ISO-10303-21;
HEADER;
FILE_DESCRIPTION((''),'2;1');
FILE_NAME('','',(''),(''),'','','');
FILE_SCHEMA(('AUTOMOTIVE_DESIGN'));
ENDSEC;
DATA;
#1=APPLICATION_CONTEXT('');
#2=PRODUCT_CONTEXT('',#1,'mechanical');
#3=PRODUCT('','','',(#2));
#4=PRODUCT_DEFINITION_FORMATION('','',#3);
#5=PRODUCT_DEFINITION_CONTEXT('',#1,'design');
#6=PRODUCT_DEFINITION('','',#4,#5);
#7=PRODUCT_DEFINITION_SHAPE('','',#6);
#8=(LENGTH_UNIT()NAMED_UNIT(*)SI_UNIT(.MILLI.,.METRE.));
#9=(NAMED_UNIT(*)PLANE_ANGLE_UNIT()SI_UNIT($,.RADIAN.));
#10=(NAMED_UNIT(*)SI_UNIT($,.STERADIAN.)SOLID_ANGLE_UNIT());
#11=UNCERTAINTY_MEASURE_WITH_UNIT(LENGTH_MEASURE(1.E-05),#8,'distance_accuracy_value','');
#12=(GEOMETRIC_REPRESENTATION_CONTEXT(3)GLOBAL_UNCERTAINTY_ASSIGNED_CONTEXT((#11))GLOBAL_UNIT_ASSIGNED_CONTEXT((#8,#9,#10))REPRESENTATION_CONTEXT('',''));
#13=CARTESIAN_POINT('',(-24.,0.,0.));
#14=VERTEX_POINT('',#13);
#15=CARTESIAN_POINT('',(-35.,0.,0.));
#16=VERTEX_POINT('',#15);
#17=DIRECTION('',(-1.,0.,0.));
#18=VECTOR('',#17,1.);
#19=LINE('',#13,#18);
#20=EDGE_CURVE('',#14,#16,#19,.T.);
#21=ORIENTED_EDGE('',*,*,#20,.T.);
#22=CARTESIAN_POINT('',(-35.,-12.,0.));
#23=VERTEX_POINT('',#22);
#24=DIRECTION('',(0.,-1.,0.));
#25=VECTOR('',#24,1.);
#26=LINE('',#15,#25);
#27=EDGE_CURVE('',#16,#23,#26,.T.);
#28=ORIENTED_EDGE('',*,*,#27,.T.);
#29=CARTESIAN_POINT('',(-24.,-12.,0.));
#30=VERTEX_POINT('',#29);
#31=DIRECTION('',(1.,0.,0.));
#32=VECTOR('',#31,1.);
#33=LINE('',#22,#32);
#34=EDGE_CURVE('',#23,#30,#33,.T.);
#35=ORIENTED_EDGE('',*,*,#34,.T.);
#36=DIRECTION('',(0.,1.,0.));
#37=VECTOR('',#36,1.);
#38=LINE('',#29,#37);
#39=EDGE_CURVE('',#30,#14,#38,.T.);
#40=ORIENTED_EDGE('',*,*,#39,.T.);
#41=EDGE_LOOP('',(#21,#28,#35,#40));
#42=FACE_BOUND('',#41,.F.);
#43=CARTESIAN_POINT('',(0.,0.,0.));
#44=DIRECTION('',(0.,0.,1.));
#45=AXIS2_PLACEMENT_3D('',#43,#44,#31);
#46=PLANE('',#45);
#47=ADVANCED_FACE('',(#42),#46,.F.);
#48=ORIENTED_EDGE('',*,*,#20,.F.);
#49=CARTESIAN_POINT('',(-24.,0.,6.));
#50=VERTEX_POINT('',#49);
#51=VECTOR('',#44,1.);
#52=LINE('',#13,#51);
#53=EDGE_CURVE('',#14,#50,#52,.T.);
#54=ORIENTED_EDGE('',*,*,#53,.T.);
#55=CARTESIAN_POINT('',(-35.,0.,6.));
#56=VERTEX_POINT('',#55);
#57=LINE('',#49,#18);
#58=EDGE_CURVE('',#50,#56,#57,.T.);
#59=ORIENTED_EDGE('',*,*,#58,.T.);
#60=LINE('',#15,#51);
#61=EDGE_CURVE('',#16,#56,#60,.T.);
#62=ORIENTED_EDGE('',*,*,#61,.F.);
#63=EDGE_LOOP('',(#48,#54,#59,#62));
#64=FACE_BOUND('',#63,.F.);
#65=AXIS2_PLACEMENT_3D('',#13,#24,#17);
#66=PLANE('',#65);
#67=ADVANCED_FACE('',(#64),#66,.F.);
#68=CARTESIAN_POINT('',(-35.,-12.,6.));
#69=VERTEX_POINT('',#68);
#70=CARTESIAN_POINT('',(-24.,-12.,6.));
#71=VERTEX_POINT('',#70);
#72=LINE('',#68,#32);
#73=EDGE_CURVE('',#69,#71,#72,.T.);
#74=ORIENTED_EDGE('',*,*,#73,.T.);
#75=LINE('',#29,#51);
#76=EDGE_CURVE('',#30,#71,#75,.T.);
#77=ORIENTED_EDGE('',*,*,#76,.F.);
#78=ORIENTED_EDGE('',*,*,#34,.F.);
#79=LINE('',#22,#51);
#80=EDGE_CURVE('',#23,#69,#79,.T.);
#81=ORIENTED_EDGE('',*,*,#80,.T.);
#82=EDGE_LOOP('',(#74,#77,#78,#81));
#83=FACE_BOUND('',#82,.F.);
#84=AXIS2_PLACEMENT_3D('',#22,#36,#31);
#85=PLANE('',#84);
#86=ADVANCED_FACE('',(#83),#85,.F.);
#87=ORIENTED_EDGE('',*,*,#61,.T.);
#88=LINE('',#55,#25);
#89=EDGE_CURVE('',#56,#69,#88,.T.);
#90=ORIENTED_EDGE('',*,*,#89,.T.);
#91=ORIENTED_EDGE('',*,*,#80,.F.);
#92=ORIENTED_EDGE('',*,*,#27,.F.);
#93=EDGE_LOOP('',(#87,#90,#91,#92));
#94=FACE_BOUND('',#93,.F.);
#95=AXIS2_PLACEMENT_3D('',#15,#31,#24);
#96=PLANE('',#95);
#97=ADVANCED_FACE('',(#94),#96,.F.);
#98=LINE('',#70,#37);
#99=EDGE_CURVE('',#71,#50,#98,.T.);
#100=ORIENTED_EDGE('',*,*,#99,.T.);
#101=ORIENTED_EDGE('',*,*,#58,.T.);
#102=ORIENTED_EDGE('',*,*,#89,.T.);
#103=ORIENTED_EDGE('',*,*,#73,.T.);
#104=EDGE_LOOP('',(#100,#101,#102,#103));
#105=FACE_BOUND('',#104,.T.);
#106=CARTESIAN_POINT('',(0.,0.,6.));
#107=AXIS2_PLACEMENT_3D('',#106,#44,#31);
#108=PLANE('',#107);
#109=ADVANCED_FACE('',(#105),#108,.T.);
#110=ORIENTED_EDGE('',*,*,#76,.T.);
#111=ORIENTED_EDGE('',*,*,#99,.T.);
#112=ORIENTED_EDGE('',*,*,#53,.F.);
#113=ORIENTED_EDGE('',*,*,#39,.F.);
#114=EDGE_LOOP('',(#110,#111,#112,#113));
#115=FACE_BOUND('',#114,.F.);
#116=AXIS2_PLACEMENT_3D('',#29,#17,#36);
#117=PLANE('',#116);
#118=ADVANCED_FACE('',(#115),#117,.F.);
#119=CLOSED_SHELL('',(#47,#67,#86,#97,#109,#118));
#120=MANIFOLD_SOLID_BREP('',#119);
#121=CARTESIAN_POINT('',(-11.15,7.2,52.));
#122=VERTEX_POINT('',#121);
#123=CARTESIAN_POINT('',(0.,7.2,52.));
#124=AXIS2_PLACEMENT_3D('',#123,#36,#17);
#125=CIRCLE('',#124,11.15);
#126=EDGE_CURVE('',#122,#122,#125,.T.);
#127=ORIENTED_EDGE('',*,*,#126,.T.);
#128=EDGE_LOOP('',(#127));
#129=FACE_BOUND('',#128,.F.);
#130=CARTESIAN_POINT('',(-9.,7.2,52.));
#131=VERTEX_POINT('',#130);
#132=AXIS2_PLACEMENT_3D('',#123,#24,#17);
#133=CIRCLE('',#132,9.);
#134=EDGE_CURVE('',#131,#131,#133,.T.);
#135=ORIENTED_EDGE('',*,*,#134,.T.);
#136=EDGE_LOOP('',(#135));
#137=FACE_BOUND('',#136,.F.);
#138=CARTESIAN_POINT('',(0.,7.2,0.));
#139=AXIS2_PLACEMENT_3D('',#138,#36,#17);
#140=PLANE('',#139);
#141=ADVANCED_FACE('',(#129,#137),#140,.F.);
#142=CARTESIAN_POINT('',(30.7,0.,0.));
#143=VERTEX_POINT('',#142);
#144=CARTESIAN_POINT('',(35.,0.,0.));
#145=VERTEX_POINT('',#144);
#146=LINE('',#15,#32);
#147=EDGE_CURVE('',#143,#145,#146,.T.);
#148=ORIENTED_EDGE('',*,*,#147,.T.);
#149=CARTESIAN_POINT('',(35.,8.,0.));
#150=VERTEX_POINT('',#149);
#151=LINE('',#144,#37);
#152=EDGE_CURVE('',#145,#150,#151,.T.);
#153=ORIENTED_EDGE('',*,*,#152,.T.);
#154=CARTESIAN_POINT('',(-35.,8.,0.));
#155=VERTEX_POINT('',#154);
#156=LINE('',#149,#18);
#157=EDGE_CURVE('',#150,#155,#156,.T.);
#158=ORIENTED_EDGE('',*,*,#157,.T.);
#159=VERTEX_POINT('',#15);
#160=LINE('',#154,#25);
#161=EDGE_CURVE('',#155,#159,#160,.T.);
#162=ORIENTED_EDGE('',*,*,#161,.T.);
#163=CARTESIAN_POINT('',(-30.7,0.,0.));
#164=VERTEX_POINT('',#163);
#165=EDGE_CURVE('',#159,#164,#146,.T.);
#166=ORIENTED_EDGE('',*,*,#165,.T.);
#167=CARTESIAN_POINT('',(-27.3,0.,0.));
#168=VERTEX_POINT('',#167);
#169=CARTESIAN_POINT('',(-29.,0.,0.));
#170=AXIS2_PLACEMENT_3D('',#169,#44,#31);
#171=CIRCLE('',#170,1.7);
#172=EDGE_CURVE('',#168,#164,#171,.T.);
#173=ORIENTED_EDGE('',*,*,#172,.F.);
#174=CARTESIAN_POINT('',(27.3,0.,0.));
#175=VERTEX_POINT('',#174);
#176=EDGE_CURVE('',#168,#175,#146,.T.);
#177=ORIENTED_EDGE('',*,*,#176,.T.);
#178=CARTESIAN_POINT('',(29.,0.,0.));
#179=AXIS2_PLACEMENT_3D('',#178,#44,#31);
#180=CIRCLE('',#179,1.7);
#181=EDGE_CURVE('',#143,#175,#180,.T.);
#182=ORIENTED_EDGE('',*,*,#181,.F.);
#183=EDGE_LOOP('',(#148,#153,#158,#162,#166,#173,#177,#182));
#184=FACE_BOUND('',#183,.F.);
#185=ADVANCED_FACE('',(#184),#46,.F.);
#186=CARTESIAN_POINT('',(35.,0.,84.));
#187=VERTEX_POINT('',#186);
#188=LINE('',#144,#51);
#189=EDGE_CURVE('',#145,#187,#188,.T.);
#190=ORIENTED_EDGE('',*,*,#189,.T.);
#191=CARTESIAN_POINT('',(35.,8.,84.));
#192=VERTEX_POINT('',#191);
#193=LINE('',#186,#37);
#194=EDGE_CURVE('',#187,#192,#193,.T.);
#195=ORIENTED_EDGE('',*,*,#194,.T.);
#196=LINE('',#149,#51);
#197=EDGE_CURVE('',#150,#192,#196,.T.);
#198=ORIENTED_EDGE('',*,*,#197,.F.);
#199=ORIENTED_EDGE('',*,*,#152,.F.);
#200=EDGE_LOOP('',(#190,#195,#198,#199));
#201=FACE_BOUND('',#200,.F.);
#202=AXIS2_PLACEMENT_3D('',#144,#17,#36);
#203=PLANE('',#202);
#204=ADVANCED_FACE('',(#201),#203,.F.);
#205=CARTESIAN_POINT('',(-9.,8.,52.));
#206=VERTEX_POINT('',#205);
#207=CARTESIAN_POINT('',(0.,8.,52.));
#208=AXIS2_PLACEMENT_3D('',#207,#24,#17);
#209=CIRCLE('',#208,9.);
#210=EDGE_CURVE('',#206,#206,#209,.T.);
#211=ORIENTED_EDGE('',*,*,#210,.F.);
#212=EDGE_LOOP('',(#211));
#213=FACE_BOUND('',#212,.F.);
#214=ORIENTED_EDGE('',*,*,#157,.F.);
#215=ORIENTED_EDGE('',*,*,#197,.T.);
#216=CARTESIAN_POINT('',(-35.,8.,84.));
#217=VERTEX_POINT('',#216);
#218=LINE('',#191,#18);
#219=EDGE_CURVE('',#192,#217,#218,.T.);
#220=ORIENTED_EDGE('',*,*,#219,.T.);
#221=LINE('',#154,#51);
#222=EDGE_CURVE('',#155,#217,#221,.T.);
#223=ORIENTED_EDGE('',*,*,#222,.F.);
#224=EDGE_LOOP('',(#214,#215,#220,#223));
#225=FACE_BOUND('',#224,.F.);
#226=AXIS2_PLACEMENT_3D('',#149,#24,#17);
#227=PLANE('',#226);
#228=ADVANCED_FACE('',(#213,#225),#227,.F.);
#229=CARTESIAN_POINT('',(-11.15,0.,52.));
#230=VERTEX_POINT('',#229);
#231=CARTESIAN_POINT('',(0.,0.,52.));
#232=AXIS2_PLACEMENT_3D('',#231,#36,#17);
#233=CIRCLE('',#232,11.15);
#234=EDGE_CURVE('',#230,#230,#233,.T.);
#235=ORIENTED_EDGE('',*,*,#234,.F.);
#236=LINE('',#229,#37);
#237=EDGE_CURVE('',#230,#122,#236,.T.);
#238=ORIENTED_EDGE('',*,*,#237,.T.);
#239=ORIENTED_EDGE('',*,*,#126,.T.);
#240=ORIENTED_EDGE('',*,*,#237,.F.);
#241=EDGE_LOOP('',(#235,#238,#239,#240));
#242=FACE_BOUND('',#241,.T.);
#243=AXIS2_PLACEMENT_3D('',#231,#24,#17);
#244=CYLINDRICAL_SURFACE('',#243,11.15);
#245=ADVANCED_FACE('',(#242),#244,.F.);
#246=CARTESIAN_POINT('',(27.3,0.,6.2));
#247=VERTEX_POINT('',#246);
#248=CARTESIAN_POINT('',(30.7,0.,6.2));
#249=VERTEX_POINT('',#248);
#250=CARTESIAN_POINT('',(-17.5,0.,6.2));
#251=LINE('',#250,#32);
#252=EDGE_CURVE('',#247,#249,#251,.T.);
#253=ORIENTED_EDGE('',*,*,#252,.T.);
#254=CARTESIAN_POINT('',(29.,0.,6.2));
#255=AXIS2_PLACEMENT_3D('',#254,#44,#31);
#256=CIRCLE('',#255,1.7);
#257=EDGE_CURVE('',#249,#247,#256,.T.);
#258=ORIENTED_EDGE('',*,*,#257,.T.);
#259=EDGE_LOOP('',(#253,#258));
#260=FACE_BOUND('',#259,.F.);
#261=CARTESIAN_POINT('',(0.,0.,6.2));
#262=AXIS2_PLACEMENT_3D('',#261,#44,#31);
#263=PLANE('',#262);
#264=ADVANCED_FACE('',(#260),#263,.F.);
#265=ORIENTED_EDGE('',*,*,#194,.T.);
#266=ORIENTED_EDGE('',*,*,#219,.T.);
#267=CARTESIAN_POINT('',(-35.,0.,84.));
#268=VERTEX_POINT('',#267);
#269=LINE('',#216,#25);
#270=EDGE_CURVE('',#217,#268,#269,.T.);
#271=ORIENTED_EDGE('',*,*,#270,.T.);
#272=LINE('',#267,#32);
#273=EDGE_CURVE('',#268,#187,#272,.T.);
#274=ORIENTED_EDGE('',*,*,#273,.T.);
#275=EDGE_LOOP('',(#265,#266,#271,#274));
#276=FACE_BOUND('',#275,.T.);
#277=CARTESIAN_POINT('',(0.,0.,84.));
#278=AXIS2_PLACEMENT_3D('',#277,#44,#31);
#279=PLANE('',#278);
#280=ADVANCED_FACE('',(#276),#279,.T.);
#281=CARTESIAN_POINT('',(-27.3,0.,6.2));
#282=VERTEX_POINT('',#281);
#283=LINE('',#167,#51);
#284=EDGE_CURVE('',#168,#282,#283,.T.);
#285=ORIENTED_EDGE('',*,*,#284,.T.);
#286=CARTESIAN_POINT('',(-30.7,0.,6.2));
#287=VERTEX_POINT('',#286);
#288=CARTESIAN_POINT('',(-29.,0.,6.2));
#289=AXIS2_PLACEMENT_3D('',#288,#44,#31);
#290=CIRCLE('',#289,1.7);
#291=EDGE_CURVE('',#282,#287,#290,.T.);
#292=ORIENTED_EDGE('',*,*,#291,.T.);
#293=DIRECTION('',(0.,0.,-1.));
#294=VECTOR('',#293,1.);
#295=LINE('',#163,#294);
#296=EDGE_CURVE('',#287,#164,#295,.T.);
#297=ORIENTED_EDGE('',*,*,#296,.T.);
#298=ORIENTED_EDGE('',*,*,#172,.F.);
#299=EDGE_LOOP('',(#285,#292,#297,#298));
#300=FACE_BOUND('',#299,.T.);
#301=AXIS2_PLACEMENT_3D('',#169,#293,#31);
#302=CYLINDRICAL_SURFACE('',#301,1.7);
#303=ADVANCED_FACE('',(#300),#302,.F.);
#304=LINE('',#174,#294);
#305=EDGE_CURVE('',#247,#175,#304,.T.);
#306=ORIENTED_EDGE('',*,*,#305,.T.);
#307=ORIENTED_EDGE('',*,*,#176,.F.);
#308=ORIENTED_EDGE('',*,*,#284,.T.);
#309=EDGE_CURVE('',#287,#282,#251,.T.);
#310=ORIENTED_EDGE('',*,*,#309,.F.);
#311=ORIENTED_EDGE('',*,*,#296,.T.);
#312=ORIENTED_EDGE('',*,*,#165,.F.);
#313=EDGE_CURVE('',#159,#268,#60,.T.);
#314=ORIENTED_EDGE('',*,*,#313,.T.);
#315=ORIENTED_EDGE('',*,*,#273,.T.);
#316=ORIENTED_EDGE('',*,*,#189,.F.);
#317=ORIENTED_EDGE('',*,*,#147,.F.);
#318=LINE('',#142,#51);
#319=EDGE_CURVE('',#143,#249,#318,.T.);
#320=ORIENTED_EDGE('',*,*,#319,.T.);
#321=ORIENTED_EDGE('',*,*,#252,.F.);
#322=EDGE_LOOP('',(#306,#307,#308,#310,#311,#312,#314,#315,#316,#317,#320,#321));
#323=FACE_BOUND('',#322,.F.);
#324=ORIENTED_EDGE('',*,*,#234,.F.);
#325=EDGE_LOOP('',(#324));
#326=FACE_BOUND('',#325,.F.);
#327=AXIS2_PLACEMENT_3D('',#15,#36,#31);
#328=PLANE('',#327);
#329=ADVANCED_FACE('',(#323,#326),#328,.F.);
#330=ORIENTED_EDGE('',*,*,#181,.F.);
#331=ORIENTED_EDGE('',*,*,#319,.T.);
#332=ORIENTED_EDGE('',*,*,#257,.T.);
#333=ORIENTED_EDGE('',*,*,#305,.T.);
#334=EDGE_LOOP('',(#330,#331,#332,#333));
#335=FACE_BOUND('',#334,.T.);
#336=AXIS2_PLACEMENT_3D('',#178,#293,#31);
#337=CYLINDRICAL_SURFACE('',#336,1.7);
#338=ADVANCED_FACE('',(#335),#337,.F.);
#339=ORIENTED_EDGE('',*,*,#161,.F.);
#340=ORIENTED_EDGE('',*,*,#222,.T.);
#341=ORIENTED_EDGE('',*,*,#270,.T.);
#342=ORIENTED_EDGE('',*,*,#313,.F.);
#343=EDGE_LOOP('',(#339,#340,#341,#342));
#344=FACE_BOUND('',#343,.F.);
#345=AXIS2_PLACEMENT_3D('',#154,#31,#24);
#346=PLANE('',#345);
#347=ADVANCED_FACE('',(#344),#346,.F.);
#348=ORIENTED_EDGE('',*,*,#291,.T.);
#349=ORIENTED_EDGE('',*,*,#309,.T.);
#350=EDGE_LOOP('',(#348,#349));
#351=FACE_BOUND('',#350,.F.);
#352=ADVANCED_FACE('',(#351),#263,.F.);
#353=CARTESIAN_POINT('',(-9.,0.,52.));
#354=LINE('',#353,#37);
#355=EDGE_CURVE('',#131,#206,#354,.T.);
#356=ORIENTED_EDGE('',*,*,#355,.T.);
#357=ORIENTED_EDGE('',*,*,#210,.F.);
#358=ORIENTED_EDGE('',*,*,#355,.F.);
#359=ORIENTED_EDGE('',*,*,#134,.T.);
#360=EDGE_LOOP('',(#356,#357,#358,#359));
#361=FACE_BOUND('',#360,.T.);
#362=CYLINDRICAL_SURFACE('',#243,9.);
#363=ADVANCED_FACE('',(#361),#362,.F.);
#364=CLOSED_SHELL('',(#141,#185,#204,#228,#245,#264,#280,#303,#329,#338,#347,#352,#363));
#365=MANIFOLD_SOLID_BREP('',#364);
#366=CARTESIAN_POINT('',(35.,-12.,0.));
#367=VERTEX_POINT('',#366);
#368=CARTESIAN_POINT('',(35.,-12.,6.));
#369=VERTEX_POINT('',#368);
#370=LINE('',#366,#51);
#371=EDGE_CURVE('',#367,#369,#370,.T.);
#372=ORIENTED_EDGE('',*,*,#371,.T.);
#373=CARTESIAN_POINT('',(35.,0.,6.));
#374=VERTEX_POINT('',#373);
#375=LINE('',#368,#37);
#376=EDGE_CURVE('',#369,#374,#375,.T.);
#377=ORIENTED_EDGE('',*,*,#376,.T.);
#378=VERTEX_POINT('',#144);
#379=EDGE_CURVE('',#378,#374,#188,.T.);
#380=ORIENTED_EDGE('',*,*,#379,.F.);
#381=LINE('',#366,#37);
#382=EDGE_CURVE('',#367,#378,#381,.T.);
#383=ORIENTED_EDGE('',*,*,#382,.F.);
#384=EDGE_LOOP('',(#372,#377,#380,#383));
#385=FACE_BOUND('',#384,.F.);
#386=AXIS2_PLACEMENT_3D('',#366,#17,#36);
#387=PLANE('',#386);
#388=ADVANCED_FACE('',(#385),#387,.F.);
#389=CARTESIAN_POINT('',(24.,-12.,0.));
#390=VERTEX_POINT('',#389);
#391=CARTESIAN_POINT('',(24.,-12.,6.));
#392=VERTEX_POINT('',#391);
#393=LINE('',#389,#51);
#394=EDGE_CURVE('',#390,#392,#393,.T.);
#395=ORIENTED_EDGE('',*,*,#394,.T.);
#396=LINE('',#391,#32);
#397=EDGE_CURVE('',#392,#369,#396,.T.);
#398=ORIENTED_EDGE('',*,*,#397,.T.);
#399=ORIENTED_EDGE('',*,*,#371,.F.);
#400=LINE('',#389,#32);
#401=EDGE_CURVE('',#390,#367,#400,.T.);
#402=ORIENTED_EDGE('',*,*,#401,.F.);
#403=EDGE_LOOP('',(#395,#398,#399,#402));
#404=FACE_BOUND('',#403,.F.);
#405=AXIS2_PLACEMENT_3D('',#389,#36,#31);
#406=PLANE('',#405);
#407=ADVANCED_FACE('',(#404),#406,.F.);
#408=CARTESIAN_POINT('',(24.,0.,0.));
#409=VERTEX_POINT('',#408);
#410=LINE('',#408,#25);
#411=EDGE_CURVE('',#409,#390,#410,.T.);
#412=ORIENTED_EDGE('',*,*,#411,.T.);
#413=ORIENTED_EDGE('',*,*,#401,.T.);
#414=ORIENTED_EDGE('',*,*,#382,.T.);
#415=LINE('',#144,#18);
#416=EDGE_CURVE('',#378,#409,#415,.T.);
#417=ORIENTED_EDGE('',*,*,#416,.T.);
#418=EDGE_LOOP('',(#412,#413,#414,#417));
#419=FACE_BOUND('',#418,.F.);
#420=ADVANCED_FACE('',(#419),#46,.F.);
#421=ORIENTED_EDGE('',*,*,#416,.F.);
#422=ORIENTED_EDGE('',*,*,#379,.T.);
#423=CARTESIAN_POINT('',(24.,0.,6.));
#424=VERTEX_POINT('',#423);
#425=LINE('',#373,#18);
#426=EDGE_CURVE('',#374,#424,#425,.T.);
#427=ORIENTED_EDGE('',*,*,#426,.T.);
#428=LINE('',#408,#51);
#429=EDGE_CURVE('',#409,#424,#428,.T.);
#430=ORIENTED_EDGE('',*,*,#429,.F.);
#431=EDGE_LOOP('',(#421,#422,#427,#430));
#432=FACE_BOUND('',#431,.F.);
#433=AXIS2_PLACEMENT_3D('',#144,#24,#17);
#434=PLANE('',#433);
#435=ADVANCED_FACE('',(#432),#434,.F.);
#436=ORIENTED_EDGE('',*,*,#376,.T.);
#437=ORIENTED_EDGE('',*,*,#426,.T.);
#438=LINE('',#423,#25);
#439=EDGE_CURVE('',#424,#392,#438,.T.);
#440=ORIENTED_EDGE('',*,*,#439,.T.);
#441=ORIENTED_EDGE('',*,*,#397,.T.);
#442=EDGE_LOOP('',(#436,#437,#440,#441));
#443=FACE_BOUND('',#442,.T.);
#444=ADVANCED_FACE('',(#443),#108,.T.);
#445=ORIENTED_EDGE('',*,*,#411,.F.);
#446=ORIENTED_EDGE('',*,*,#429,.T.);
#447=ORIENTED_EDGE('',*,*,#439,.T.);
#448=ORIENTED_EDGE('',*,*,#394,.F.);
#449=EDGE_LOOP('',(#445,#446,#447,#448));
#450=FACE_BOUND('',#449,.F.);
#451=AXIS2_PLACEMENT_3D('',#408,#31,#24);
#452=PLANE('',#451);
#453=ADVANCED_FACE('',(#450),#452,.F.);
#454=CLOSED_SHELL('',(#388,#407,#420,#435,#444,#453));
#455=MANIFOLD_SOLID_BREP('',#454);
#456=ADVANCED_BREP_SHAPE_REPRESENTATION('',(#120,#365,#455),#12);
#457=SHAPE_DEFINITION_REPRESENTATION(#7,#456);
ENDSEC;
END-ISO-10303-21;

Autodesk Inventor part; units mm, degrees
ref_plane "YZ Plane" through (0, 0, 0) normal (1, 0, 0) x (0, 1, 0)
ref_plane "XZ Plane" through (0, 0, 0) normal (0, 1, 0) x (-1, 0, 0)
ref_plane "XY Plane" through (0, 0, 0) normal (0, 0, 1) x (1, 0, 0)
sketch "Skizze1" plane through (0, 0, 0) normal (0, 0, 1) x (1, 0, 0)
  line L0 (-35, 0) -> (35, 0)
  line L1 (35, 0) -> (35, 8)
  line L2 (35, 8) -> (-35, 8)
  line L3 (-35, 8) -> (-35, 0)
extrude "Extrusion1" add sketch "Skizze1" along normal blind 84
sketch "Skizze2" plane through (0, 0, 0) normal (0, 0, 1) x (1, 0, 0)
  line L0 (-35, -12) -> (-24, -12)
  line L1 (-24, -12) -> (-24, 0)
  line L2 (-24, 0) -> (-35, 0)
  line L3 (-35, 0) -> (-35, -12)
extrude "Extrusion2" add sketch "Skizze2" along normal blind 6 separate body
sketch "Skizze3" plane through (0, 0, 0) normal (0, 0, 1) x (1, 0, 0)
  line L0 (24, -12) -> (35, -12)
  line L1 (35, -12) -> (35, 0)
  line L2 (35, 0) -> (24, 0)
  line L3 (24, 0) -> (24, -12)
extrude "Extrusion3" add sketch "Skizze3" along normal blind 6 separate body
sketch "Skizze4" plane through (0, 0, 0) normal (0, 0, 1) x (1, 0, 0)
  circle A0 centre (-29, 0) radius 1.7
extrude "Extrusion4" cut sketch "Skizze4" along normal blind 6.2 bodies 1
sketch "Skizze5" plane through (0, 0, 0) normal (0, 0, 1) x (1, 0, 0)
  circle A0 centre (29, 0) radius 1.7
extrude "Extrusion5" cut sketch "Skizze5" along normal blind 6.2 bodies 1
sketch "Skizze6" plane through (0, 0, 0) normal (0, 1, 0) x (-1, 0, 0)
  circle A0 centre (0, 52) radius 11.15
extrude "Extrusion6" cut sketch "Skizze6" along normal blind 7.2 bodies 1
sketch "Skizze7" plane through (0, 0, 0) normal (0, 1, 0) x (-1, 0, 0)
  circle A0 centre (0, 52) radius 9
extrude "Extrusion7" cut sketch "Skizze7" along normal blind 8.2 bodies 1
properties part number "Turm_Idler"
